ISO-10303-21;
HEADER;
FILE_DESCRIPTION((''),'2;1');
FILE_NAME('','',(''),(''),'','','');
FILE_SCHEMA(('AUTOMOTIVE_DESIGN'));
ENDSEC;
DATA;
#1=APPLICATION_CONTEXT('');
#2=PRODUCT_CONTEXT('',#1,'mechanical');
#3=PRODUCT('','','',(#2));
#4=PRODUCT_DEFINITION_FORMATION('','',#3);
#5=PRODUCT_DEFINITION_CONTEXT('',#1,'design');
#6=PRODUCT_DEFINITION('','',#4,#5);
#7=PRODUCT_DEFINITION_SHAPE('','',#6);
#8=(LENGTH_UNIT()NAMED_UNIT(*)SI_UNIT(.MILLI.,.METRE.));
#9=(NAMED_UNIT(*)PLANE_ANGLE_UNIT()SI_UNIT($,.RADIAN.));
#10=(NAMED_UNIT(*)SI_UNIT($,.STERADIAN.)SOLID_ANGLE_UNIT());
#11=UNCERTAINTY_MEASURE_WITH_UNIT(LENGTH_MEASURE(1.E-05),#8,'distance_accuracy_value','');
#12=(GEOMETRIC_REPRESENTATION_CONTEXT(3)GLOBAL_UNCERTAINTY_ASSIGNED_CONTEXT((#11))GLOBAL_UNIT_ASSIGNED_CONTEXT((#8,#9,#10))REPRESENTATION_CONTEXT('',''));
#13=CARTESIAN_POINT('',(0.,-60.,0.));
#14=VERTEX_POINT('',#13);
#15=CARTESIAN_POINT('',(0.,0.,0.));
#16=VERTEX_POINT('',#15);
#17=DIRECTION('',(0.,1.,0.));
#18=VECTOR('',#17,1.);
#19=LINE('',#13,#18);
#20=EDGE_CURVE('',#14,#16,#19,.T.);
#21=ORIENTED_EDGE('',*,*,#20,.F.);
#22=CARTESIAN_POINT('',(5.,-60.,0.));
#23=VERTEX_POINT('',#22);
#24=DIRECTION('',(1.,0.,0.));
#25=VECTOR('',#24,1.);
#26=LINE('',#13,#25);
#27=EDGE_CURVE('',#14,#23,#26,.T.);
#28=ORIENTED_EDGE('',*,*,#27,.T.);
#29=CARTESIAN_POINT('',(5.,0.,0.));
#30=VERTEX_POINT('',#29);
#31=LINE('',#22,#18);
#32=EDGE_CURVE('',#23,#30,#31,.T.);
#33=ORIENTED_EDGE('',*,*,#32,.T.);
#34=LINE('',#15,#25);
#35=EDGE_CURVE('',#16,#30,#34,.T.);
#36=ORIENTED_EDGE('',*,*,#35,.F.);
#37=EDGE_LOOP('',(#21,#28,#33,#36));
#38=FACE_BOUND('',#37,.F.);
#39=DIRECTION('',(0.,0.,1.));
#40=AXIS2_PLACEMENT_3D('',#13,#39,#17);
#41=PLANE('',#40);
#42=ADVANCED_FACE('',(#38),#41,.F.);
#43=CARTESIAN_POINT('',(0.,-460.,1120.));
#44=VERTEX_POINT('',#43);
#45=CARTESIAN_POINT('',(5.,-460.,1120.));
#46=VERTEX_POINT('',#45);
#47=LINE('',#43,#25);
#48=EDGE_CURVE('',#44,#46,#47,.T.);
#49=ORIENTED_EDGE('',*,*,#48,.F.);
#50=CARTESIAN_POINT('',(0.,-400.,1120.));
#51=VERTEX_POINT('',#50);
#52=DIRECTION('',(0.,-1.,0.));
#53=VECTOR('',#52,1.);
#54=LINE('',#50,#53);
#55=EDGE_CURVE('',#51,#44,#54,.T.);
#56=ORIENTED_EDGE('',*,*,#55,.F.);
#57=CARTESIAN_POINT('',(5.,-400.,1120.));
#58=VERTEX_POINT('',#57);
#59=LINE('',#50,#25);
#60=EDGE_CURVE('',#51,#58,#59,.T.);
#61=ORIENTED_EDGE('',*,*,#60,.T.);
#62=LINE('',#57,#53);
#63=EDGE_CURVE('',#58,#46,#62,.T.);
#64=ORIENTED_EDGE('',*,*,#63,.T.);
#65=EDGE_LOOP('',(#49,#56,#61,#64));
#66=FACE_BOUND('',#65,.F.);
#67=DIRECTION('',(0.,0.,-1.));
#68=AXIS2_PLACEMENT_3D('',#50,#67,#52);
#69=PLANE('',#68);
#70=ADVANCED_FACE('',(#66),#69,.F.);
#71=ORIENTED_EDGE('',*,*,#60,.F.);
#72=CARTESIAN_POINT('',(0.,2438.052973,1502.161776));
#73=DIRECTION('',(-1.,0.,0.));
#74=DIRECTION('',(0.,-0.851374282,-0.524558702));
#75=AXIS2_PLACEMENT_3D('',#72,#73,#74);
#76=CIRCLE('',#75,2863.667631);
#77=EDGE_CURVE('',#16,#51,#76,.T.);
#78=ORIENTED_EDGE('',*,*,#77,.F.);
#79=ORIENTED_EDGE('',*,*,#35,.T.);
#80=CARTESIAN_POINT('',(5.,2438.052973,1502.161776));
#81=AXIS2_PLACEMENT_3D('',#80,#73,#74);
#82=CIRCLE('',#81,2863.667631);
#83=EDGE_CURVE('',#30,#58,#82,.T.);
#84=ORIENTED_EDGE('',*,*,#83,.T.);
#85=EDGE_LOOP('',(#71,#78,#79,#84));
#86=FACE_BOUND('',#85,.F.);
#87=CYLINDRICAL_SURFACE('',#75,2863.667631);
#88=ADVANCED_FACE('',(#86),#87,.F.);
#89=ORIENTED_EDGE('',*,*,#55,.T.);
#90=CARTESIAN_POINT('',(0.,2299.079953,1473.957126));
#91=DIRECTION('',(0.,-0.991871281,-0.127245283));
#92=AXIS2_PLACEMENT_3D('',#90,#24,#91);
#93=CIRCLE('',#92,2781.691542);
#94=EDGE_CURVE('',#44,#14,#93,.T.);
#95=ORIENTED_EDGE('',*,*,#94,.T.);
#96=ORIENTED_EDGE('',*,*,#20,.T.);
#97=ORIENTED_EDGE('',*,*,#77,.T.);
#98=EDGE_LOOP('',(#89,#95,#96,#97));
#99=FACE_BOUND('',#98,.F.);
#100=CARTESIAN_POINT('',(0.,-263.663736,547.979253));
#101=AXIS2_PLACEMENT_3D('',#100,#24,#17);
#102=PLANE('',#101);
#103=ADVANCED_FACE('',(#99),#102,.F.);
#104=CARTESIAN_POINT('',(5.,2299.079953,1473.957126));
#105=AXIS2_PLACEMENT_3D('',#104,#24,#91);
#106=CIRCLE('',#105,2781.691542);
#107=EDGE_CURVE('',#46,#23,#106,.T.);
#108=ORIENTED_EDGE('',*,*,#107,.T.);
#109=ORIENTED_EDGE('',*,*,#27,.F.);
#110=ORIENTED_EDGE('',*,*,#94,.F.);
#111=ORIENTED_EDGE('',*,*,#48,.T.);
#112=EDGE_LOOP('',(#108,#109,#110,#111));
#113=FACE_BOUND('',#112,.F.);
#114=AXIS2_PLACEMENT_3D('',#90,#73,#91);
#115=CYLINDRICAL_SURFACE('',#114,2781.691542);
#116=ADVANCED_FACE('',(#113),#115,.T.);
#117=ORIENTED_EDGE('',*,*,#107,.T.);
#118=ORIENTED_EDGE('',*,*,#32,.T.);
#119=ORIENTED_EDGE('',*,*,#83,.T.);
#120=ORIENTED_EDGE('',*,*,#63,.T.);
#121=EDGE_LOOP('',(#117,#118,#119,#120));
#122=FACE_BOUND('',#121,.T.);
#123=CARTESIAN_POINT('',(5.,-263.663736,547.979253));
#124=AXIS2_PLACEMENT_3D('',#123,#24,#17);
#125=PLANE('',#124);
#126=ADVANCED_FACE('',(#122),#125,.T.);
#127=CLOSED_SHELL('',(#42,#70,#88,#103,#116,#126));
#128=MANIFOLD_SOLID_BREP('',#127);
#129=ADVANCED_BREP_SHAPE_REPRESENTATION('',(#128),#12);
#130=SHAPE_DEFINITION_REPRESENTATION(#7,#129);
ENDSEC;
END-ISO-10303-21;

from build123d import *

# Parameters (mm, degrees)
F1_DEPTH = 5


with BuildPart() as f1:
    # F0 (on Right) → F1 (new body)
    with BuildSketch(Plane.YZ):
        with BuildLine():
            Line((-60, 0), (0, 0))
            ThreePointArc((0, 0), (-258.782856, 539.006123), (-400, 1120))
            Line((-400, 1120), (-460, 1120))
            ThreePointArc((-460, 1120), (-320.555557, 538.373015), (-60, 0))
        make_face()
    extrude(amount=F1_DEPTH)


solid = f1.part
